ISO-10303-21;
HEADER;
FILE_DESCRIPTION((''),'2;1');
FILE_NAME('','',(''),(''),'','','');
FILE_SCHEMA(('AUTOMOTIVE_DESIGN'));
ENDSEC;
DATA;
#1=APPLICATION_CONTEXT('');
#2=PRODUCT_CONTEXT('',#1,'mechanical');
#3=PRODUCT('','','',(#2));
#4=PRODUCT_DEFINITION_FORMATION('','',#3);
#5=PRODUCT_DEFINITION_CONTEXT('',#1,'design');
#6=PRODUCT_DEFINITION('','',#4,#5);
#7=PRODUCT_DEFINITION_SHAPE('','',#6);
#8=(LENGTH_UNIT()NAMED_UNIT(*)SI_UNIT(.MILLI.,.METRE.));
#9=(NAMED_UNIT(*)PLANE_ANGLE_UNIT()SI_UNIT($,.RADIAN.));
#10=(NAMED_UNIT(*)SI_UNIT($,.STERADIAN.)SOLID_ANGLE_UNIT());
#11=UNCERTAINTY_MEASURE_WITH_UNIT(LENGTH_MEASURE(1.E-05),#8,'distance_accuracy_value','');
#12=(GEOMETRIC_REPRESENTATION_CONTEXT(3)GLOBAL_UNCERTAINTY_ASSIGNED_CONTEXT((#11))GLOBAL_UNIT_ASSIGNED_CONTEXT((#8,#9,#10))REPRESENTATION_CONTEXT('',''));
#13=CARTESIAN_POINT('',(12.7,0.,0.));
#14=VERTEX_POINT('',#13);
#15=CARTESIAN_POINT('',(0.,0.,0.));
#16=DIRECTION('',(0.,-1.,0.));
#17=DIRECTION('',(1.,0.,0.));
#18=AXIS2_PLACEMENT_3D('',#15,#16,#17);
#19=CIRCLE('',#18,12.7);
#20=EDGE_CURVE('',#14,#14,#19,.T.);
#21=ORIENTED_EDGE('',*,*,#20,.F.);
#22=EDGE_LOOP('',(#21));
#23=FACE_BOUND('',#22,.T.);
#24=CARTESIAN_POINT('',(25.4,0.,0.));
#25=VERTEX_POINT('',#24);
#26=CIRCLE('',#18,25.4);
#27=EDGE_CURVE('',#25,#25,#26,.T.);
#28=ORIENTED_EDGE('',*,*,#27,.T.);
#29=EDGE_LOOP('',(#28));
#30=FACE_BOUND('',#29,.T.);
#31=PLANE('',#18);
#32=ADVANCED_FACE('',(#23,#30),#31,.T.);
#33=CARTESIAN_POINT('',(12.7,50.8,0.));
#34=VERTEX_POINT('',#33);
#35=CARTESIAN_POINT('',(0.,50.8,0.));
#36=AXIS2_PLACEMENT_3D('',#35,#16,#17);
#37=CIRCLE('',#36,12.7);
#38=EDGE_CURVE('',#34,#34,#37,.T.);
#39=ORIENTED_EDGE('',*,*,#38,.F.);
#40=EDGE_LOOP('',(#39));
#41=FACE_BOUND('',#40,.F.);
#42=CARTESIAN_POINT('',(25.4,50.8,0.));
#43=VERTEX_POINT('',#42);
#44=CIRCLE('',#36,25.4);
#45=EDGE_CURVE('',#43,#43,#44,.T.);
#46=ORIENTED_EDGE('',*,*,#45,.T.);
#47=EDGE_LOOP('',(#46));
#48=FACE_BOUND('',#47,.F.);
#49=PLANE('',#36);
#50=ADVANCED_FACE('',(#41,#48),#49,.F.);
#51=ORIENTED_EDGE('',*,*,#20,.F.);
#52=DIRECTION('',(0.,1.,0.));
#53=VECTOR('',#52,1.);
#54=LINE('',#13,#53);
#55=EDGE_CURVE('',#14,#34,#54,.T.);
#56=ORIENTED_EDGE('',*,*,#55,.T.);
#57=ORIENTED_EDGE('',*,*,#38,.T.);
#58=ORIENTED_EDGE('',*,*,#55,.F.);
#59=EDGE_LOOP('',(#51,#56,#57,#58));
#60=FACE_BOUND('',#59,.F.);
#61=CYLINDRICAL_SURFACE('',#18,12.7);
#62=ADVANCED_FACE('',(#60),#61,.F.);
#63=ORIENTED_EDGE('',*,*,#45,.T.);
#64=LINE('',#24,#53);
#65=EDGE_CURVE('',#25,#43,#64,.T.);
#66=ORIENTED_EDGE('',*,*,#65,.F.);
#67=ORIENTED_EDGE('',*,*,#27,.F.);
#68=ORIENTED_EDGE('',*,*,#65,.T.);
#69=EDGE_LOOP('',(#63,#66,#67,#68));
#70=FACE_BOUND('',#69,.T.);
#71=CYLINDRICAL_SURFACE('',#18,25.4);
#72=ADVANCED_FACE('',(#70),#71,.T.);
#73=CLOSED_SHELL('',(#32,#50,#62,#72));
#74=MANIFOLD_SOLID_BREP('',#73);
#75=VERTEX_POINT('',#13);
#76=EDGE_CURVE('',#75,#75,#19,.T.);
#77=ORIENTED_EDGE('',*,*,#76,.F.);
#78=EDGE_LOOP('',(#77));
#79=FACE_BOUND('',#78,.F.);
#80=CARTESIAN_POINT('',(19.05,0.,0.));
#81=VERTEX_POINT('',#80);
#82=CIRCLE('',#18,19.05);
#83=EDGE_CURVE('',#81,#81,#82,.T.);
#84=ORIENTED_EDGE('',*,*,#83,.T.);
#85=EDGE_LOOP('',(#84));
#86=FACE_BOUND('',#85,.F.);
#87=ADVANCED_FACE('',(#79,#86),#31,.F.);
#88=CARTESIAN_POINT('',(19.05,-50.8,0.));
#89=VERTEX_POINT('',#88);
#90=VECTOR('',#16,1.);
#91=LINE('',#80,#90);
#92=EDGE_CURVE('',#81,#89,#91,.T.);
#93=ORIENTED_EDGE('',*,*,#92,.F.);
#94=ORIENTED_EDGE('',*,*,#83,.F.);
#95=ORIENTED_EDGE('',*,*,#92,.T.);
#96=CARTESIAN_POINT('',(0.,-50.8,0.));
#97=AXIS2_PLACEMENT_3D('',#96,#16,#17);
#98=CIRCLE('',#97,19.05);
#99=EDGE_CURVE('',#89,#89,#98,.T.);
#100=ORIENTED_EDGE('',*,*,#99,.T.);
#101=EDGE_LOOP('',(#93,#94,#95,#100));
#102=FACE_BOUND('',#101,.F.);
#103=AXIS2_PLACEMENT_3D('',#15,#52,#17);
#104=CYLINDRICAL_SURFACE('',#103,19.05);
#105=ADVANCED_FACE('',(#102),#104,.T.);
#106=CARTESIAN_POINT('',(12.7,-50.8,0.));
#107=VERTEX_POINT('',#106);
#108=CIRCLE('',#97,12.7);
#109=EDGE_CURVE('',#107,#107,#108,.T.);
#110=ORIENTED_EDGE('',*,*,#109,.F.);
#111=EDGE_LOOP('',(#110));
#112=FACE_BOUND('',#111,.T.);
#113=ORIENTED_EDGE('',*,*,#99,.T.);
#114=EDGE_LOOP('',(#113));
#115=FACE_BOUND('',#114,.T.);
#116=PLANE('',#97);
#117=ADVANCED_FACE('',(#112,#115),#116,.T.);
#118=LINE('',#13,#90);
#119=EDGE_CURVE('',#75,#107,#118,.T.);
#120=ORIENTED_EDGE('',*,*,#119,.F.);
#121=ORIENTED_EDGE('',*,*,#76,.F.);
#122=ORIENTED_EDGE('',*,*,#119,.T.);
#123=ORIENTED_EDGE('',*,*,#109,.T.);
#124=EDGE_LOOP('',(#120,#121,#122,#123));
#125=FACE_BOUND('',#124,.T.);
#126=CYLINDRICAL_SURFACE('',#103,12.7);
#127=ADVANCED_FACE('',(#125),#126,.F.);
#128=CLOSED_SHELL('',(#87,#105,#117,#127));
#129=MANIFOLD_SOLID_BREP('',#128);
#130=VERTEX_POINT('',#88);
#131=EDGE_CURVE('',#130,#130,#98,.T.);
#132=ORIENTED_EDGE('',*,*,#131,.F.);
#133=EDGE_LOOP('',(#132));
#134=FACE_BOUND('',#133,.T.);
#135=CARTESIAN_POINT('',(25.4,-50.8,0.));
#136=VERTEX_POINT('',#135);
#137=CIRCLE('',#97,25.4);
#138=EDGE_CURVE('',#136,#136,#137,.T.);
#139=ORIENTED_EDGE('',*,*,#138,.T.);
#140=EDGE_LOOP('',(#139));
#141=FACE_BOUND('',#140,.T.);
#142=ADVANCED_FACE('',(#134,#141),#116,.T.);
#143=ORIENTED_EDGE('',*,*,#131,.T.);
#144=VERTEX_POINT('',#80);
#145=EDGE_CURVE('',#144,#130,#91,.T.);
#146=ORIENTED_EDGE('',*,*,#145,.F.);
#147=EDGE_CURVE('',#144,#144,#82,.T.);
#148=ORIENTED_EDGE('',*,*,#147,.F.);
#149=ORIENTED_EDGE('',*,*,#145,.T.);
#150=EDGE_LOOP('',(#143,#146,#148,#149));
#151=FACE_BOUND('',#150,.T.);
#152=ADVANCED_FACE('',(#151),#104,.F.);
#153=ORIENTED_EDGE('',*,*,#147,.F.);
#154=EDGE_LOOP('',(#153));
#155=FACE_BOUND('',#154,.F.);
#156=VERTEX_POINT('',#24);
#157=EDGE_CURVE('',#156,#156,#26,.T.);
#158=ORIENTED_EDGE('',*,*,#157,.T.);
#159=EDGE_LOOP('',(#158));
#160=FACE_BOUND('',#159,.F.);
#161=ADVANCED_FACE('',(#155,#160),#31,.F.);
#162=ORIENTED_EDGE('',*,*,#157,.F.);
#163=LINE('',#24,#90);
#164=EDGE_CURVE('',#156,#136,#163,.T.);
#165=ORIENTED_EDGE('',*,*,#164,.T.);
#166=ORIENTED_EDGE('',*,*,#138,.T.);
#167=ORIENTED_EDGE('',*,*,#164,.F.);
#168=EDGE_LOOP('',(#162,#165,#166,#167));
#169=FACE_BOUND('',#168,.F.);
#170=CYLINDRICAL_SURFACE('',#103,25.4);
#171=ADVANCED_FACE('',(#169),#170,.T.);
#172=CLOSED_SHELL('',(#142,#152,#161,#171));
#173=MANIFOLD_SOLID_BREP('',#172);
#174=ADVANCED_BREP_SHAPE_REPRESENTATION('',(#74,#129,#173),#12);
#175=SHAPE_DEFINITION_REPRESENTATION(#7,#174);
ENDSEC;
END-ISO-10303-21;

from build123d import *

# Parameters (mm, degrees)
F0_R     = 25.4
F0_R_2   = 19.05
F1_DEPTH = 50.8
F0_R_3   = 12.7
F2_DEPTH = 50.8
F3_DEPTH = 50.8


with BuildPart() as f1:
    # F0 (on Front) → F1 (new body)
    with BuildSketch(Plane.XZ):
        Circle(F0_R)
        Circle(F0_R_2, mode=Mode.SUBTRACT)
    extrude(amount=F1_DEPTH)


with BuildPart() as f2:
    # F0 (on Front) → F2 (new body)
    with BuildSketch(Plane.XZ):
        Circle(F0_R_2)
        Circle(F0_R_3, mode=Mode.SUBTRACT)
    extrude(amount=F2_DEPTH)


with BuildPart() as f3:
    # F0 (on Front) → F3 (new body)
    with BuildSketch(Plane.XZ):
        Circle(F0_R)
        Circle(F0_R_2, mode=Mode.SUBTRACT)
        Circle(F0_R_2)
        Circle(F0_R_3, mode=Mode.SUBTRACT)
    extrude(amount=-F3_DEPTH)


solid = Compound([f1.part, f2.part, f3.part])
